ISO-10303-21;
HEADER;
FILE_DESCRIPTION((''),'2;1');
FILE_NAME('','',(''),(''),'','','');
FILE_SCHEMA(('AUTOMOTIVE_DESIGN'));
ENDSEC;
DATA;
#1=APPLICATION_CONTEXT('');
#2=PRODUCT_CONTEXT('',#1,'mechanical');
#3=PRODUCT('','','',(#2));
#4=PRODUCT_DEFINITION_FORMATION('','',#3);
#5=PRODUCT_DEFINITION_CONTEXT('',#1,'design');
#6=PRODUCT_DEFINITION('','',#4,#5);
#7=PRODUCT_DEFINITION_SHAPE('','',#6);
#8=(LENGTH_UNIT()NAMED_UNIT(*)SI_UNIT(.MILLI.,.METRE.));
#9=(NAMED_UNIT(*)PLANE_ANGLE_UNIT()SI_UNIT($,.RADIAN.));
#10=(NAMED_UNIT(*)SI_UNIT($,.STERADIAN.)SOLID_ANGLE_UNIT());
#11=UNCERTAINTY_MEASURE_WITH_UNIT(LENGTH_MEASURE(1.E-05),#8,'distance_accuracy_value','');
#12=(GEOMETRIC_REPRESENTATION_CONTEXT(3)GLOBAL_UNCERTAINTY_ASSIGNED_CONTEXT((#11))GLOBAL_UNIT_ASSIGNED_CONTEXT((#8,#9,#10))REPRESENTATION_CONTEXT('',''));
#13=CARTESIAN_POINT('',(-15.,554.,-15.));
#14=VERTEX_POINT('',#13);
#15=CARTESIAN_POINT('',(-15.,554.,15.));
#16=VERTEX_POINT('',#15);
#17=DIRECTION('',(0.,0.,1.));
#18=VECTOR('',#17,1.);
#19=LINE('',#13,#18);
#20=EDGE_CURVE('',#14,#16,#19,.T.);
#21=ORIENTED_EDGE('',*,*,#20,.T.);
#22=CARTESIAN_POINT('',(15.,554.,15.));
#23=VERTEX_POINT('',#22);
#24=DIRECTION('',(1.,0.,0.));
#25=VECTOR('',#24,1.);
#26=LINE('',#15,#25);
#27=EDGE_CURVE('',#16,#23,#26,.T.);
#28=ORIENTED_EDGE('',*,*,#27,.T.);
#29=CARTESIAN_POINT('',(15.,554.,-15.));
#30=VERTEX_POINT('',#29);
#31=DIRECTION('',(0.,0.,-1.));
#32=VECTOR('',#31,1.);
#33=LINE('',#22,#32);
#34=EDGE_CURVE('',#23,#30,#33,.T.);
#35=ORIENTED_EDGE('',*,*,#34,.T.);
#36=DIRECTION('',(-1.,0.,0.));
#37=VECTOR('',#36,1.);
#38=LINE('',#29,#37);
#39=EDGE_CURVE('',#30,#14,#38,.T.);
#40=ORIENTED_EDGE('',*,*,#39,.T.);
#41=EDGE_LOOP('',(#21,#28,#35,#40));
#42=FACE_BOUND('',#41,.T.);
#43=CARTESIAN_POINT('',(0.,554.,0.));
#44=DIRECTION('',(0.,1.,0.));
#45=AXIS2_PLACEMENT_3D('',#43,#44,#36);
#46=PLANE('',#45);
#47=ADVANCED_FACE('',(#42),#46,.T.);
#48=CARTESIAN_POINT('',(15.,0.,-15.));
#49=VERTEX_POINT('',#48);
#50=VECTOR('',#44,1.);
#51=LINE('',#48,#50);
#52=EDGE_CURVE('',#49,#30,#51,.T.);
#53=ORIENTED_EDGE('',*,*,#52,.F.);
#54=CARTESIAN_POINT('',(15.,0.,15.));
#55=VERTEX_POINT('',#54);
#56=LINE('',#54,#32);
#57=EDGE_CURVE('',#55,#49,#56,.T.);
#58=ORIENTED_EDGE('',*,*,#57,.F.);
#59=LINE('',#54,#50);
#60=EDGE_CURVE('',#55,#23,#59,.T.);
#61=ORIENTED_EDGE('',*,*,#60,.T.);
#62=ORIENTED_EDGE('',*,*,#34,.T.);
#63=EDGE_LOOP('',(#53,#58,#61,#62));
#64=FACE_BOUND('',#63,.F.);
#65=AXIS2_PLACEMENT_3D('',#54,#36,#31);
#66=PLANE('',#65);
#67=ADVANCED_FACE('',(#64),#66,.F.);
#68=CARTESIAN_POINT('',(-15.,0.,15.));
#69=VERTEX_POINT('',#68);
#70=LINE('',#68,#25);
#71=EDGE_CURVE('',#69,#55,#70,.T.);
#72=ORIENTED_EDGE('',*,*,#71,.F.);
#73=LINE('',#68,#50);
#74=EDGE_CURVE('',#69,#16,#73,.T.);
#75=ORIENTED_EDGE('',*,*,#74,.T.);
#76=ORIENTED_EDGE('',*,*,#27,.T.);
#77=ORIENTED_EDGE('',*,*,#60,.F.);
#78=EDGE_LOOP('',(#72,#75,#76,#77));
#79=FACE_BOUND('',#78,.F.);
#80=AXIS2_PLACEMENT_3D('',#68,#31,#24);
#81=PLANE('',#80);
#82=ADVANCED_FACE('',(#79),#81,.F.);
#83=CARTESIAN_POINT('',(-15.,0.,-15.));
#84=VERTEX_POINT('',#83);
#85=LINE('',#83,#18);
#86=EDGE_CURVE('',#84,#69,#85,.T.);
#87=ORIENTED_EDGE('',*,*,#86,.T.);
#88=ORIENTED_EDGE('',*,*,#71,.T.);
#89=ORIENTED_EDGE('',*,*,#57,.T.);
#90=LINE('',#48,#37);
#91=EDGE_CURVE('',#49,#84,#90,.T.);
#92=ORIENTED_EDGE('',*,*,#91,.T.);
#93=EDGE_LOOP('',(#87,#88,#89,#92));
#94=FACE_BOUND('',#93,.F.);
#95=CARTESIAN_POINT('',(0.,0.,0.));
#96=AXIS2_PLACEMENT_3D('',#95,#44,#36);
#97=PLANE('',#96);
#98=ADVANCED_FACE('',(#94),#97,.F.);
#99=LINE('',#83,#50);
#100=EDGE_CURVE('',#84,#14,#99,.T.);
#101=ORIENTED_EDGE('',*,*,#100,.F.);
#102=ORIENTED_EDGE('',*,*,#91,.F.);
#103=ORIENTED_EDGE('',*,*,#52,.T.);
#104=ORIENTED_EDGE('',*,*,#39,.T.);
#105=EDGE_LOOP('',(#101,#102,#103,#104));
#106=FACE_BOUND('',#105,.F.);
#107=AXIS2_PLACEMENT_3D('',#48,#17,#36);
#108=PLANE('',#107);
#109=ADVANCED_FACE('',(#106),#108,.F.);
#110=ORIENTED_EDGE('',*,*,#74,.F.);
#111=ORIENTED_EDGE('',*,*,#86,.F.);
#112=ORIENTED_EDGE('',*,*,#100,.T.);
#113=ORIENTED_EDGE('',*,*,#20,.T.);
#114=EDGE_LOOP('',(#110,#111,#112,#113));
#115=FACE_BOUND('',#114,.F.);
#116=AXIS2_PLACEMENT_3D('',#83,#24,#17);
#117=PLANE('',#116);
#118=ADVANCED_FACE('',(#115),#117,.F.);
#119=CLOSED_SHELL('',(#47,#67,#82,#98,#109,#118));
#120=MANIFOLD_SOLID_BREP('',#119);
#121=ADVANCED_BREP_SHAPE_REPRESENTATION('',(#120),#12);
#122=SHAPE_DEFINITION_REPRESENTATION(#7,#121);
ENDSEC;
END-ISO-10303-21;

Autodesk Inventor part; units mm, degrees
ref_plane "YZ Plane" through (0, 0, 0) normal (1, 0, 0) x (0, 1, 0)
ref_plane "XZ Plane" through (0, 0, 0) normal (0, 1, 0) x (-1, 0, 0)
ref_plane "XY Plane" through (0, 0, 0) normal (0, 0, 1) x (1, 0, 0)
sketch "Sketch1" plane through (0, 0, 0) normal (0, 1, 0) x (-1, 0, 0)
  line L0 (-15, -15) -> (15, -15)
  line L1 (15, -15) -> (15, 15)
  line L2 (15, 15) -> (-15, 15)
  line L3 (-15, 15) -> (-15, -15)
  line L4 (-15, -15) -> (15, 15) construction
  line L5 (15, -15) -> (-15, 15) construction
  point P0 (0, 0)
  dimension "d0" = 30
  dimension "d1" = 30
extrude "Extrusion1" add sketch "Sketch1" along normal blind 554
properties part number "wozek-listwa_do_szpulek"
